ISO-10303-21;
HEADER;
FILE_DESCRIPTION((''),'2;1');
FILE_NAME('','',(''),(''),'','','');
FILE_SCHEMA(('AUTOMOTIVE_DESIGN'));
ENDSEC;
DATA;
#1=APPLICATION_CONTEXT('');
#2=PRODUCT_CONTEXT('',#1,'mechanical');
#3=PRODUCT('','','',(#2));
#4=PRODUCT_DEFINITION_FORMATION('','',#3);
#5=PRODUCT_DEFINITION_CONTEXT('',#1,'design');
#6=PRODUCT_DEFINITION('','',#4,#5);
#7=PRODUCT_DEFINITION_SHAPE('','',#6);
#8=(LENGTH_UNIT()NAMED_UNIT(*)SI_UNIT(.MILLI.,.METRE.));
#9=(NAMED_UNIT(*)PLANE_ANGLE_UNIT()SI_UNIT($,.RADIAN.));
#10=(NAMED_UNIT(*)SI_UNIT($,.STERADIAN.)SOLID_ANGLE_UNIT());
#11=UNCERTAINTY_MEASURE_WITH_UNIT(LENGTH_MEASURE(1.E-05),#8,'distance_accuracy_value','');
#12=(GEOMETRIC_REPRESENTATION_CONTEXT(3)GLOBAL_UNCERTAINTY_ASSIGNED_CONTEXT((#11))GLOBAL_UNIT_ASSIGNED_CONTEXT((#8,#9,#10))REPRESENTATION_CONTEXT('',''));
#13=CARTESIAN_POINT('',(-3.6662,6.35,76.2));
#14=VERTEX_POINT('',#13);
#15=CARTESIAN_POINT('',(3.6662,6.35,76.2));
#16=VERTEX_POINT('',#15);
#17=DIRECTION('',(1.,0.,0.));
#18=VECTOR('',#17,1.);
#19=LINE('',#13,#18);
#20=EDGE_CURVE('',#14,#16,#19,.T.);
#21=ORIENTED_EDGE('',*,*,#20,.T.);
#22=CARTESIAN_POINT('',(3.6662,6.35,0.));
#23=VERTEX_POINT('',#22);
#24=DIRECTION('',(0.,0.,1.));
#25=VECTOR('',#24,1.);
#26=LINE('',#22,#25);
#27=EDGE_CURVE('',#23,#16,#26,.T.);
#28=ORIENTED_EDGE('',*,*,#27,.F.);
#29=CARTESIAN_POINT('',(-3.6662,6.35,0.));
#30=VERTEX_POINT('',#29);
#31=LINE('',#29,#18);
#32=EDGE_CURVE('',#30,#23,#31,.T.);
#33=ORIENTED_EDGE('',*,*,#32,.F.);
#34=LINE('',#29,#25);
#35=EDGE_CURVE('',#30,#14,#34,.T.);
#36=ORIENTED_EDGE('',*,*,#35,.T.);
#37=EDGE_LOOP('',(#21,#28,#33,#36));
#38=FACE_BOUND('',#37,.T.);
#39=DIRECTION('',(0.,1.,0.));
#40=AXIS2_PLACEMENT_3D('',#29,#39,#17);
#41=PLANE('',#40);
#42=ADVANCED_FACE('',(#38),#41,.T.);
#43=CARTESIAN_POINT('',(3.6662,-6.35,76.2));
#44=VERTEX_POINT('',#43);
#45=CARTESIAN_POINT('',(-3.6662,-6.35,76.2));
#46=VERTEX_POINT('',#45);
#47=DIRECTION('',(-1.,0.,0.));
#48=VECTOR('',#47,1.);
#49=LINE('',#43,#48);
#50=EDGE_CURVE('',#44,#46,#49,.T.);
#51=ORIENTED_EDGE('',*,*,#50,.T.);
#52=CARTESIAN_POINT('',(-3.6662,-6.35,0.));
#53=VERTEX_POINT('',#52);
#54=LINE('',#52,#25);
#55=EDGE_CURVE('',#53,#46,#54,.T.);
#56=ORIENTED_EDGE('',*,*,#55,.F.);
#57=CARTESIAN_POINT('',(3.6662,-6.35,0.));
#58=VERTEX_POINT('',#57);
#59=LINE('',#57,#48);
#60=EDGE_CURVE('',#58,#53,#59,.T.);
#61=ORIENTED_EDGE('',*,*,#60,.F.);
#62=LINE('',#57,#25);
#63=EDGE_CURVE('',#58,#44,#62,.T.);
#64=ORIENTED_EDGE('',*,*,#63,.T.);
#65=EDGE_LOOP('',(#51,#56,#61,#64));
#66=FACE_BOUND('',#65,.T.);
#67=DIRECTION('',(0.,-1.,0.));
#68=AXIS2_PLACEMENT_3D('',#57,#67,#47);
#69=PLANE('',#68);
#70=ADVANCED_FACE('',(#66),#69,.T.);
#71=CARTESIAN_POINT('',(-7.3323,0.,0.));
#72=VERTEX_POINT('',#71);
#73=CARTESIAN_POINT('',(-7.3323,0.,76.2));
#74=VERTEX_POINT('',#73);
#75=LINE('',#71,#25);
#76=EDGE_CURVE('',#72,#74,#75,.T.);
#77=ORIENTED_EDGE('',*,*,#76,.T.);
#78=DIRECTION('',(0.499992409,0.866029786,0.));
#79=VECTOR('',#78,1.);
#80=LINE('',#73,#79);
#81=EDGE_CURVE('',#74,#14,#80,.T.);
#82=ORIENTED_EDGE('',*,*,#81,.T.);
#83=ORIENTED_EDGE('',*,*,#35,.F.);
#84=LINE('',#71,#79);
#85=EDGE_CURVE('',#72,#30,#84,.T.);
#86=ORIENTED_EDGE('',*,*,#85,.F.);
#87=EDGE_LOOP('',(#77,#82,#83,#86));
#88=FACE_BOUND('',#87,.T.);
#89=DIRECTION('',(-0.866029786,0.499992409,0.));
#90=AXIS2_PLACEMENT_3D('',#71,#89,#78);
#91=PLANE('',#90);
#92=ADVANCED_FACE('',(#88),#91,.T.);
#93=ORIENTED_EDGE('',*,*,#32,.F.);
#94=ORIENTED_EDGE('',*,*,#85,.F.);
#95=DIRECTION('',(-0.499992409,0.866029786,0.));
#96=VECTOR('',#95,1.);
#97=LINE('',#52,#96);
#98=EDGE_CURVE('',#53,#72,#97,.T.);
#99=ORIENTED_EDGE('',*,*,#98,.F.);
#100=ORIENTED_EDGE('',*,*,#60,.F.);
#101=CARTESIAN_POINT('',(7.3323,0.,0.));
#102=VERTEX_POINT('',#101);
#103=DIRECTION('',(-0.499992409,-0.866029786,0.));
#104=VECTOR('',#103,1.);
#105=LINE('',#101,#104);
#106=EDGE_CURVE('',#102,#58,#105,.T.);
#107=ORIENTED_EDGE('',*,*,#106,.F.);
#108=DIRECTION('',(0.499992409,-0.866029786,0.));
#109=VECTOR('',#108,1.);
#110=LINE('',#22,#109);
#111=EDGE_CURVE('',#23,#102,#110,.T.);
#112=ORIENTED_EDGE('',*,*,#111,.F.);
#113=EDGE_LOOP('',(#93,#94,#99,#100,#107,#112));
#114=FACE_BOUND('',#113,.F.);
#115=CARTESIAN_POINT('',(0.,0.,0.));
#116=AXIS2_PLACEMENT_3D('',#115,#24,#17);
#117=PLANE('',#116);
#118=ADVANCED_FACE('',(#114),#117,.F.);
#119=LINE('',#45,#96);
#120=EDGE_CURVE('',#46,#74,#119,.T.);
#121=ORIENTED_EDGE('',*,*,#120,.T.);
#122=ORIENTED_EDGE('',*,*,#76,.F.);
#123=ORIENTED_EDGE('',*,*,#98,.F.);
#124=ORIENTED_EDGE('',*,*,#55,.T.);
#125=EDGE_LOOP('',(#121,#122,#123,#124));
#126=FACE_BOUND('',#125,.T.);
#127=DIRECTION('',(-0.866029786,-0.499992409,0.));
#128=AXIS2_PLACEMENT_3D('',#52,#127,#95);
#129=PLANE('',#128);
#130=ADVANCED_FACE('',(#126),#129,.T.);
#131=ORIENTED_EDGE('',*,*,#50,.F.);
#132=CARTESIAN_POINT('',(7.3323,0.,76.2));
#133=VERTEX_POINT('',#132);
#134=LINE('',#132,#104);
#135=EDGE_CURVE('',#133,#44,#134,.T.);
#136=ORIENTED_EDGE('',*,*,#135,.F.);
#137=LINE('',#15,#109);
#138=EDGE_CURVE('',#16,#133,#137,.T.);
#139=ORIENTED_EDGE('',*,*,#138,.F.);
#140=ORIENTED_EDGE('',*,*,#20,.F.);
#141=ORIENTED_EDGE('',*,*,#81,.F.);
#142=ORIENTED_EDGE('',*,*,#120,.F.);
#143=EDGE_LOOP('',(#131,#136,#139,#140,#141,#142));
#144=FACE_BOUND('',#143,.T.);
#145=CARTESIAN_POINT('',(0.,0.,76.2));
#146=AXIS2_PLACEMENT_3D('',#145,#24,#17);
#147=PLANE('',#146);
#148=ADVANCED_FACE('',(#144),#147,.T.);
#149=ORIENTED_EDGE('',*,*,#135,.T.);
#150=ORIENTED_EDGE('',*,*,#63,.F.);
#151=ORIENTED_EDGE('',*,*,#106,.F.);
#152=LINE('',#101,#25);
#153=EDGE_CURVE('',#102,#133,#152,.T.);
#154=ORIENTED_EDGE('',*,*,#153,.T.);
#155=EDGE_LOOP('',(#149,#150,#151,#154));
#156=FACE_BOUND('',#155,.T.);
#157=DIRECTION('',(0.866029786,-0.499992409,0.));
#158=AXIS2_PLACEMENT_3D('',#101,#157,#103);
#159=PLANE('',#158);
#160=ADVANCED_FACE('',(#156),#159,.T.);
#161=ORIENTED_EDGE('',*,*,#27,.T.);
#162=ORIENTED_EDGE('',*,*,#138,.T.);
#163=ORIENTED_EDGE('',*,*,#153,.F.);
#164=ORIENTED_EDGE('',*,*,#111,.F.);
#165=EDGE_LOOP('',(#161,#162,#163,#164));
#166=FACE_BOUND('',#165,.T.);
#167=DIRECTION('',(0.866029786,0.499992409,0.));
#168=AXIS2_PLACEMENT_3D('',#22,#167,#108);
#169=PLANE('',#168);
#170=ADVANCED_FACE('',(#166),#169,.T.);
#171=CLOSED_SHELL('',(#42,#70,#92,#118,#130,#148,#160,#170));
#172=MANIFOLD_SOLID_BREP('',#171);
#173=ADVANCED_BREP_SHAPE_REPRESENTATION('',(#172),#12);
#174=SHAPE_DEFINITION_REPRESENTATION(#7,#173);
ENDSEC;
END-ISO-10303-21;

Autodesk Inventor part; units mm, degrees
ref_plane "YZ Plane" through (0, 0, 0) normal (1, 0, 0) x (0, 1, 0)
ref_plane "XZ Plane" through (0, 0, 0) normal (0, 1, 0) x (-1, 0, 0)
ref_plane "XY Plane" through (0, 0, 0) normal (0, 0, 1) x (1, 0, 0)
sketch "Sketch1" plane through (0, 0, 0) normal (0, 0, 1) x (1, 0, 0)
  line L0 (3.6662, 6.35) -> (7.3323, 0)
  line L1 (7.3323, 0) -> (3.6662, -6.35)
  line L2 (3.6662, -6.35) -> (-3.6662, -6.35)
  line L3 (-3.6662, -6.35) -> (-7.3323, 0)
  line L4 (-7.3323, 0) -> (-3.6662, 6.35)
  line L5 (-3.6662, 6.35) -> (3.6662, 6.35)
  point P0 (0, 0)
  point P1 (0, 0)
  dimension "d0" = 12.7
extrude "Extrusion1" add sketch "Sketch1" along normal blind 76.2
properties part number "hex rod 3 inch" material "Steel, Alloy"
